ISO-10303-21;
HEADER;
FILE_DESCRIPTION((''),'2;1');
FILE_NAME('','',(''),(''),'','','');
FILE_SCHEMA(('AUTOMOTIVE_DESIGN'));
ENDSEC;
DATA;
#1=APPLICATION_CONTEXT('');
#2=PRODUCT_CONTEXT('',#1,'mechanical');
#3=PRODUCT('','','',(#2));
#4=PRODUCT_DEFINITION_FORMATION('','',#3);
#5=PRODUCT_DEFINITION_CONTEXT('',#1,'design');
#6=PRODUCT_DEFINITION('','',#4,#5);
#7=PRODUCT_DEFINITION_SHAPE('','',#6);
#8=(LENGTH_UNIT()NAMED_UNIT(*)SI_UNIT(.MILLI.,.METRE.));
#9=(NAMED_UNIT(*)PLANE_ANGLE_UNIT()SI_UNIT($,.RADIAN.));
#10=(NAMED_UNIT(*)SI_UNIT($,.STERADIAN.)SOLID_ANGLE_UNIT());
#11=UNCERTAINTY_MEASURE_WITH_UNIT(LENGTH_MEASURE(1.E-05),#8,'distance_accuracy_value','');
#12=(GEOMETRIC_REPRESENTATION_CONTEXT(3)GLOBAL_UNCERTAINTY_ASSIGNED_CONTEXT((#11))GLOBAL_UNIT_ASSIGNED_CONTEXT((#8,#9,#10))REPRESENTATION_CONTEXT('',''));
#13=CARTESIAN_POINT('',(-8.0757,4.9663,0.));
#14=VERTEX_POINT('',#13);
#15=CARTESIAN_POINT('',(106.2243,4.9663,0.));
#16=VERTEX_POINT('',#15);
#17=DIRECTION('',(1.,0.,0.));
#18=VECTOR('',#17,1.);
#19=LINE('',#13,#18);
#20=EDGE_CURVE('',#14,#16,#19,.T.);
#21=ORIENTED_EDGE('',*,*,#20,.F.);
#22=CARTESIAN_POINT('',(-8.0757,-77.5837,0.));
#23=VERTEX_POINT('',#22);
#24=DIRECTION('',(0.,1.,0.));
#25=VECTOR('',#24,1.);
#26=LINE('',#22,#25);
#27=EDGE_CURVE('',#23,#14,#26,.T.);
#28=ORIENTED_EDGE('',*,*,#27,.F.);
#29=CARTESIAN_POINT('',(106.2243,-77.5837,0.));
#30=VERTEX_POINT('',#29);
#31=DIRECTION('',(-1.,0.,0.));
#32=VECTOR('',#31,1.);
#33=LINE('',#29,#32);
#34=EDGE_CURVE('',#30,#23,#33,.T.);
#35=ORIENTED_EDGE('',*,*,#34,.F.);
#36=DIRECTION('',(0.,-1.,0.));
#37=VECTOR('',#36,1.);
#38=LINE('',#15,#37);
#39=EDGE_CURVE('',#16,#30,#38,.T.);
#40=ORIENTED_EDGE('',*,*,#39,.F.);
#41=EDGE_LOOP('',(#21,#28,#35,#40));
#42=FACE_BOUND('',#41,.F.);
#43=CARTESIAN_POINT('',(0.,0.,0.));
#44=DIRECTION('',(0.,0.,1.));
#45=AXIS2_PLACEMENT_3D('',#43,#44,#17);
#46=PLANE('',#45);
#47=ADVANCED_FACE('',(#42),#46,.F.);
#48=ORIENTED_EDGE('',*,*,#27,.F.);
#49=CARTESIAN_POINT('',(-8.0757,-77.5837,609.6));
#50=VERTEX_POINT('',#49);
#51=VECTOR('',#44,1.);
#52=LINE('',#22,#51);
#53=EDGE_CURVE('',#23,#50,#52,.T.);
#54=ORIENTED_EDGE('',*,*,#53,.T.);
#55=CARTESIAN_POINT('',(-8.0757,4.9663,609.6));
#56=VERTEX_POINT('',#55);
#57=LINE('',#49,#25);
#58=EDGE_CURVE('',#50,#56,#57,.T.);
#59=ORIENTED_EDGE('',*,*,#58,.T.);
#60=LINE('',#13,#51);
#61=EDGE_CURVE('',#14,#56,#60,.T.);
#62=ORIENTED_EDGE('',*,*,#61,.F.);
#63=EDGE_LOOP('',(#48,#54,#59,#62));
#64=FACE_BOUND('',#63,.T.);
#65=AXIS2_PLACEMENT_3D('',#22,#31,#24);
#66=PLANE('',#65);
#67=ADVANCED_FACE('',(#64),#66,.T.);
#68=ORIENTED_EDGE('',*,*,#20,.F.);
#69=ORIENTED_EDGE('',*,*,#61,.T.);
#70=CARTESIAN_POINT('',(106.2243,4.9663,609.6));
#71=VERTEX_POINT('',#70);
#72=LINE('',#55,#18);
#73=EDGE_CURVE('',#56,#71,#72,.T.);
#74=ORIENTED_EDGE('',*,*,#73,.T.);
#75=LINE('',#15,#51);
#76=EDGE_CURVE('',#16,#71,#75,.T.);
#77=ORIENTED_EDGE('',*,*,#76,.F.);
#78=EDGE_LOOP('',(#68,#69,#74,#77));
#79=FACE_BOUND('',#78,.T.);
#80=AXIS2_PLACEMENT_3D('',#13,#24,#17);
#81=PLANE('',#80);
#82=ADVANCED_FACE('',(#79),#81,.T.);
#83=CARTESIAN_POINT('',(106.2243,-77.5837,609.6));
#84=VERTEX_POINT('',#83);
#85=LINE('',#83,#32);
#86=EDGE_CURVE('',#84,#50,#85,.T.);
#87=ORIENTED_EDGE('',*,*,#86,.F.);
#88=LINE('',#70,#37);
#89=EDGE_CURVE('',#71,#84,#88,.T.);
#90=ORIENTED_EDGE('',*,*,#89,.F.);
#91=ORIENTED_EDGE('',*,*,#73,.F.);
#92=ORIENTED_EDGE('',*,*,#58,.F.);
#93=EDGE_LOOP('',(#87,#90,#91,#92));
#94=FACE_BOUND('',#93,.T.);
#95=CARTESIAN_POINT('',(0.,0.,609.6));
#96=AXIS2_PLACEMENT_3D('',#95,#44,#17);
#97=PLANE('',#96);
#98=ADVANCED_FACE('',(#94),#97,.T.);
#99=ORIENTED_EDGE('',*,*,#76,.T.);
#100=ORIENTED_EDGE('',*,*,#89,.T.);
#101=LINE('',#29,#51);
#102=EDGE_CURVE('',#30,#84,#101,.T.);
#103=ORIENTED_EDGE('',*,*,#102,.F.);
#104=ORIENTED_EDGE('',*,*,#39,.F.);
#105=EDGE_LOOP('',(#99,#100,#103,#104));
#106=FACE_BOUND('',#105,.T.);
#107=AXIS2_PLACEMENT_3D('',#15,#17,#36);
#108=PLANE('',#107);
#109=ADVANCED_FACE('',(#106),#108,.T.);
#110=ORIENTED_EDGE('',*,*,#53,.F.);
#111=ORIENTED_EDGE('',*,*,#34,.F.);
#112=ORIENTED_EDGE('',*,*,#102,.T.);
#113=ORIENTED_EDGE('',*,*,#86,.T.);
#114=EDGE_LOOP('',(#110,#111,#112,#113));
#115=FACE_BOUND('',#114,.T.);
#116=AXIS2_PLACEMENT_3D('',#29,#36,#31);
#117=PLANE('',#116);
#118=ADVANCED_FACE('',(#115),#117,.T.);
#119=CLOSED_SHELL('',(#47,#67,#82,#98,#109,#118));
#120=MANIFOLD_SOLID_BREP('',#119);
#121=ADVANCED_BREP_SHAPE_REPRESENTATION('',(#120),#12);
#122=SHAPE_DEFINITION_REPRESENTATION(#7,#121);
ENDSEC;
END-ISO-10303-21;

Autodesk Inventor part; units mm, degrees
ref_plane "YZ Plane" through (0, 0, 0) normal (1, 0, 0) x (0, 1, 0)
ref_plane "XZ Plane" through (0, 0, 0) normal (0, 1, 0) x (-1, 0, 0)
ref_plane "XY Plane" through (0, 0, 0) normal (0, 0, 1) x (1, 0, 0)
sketch "Sketch1" plane through (0, 0, 0) normal (0, 0, 1) x (1, 0, 0)
  line L0 (-8.0757, 4.9663) -> (106.2243, 4.9663)
  line L1 (106.2243, 4.9663) -> (106.2243, -77.5837)
  line L2 (106.2243, -77.5837) -> (-8.0757, -77.5837)
  line L3 (-8.0757, -77.5837) -> (-8.0757, 4.9663)
  point P0 (0, 0)
  dimension "d0" = 114.3
  dimension "d1" = 82.55
extrude "Extrusion1" add sketch "Sketch1" along normal blind 609.6
properties part number "Bumper"
